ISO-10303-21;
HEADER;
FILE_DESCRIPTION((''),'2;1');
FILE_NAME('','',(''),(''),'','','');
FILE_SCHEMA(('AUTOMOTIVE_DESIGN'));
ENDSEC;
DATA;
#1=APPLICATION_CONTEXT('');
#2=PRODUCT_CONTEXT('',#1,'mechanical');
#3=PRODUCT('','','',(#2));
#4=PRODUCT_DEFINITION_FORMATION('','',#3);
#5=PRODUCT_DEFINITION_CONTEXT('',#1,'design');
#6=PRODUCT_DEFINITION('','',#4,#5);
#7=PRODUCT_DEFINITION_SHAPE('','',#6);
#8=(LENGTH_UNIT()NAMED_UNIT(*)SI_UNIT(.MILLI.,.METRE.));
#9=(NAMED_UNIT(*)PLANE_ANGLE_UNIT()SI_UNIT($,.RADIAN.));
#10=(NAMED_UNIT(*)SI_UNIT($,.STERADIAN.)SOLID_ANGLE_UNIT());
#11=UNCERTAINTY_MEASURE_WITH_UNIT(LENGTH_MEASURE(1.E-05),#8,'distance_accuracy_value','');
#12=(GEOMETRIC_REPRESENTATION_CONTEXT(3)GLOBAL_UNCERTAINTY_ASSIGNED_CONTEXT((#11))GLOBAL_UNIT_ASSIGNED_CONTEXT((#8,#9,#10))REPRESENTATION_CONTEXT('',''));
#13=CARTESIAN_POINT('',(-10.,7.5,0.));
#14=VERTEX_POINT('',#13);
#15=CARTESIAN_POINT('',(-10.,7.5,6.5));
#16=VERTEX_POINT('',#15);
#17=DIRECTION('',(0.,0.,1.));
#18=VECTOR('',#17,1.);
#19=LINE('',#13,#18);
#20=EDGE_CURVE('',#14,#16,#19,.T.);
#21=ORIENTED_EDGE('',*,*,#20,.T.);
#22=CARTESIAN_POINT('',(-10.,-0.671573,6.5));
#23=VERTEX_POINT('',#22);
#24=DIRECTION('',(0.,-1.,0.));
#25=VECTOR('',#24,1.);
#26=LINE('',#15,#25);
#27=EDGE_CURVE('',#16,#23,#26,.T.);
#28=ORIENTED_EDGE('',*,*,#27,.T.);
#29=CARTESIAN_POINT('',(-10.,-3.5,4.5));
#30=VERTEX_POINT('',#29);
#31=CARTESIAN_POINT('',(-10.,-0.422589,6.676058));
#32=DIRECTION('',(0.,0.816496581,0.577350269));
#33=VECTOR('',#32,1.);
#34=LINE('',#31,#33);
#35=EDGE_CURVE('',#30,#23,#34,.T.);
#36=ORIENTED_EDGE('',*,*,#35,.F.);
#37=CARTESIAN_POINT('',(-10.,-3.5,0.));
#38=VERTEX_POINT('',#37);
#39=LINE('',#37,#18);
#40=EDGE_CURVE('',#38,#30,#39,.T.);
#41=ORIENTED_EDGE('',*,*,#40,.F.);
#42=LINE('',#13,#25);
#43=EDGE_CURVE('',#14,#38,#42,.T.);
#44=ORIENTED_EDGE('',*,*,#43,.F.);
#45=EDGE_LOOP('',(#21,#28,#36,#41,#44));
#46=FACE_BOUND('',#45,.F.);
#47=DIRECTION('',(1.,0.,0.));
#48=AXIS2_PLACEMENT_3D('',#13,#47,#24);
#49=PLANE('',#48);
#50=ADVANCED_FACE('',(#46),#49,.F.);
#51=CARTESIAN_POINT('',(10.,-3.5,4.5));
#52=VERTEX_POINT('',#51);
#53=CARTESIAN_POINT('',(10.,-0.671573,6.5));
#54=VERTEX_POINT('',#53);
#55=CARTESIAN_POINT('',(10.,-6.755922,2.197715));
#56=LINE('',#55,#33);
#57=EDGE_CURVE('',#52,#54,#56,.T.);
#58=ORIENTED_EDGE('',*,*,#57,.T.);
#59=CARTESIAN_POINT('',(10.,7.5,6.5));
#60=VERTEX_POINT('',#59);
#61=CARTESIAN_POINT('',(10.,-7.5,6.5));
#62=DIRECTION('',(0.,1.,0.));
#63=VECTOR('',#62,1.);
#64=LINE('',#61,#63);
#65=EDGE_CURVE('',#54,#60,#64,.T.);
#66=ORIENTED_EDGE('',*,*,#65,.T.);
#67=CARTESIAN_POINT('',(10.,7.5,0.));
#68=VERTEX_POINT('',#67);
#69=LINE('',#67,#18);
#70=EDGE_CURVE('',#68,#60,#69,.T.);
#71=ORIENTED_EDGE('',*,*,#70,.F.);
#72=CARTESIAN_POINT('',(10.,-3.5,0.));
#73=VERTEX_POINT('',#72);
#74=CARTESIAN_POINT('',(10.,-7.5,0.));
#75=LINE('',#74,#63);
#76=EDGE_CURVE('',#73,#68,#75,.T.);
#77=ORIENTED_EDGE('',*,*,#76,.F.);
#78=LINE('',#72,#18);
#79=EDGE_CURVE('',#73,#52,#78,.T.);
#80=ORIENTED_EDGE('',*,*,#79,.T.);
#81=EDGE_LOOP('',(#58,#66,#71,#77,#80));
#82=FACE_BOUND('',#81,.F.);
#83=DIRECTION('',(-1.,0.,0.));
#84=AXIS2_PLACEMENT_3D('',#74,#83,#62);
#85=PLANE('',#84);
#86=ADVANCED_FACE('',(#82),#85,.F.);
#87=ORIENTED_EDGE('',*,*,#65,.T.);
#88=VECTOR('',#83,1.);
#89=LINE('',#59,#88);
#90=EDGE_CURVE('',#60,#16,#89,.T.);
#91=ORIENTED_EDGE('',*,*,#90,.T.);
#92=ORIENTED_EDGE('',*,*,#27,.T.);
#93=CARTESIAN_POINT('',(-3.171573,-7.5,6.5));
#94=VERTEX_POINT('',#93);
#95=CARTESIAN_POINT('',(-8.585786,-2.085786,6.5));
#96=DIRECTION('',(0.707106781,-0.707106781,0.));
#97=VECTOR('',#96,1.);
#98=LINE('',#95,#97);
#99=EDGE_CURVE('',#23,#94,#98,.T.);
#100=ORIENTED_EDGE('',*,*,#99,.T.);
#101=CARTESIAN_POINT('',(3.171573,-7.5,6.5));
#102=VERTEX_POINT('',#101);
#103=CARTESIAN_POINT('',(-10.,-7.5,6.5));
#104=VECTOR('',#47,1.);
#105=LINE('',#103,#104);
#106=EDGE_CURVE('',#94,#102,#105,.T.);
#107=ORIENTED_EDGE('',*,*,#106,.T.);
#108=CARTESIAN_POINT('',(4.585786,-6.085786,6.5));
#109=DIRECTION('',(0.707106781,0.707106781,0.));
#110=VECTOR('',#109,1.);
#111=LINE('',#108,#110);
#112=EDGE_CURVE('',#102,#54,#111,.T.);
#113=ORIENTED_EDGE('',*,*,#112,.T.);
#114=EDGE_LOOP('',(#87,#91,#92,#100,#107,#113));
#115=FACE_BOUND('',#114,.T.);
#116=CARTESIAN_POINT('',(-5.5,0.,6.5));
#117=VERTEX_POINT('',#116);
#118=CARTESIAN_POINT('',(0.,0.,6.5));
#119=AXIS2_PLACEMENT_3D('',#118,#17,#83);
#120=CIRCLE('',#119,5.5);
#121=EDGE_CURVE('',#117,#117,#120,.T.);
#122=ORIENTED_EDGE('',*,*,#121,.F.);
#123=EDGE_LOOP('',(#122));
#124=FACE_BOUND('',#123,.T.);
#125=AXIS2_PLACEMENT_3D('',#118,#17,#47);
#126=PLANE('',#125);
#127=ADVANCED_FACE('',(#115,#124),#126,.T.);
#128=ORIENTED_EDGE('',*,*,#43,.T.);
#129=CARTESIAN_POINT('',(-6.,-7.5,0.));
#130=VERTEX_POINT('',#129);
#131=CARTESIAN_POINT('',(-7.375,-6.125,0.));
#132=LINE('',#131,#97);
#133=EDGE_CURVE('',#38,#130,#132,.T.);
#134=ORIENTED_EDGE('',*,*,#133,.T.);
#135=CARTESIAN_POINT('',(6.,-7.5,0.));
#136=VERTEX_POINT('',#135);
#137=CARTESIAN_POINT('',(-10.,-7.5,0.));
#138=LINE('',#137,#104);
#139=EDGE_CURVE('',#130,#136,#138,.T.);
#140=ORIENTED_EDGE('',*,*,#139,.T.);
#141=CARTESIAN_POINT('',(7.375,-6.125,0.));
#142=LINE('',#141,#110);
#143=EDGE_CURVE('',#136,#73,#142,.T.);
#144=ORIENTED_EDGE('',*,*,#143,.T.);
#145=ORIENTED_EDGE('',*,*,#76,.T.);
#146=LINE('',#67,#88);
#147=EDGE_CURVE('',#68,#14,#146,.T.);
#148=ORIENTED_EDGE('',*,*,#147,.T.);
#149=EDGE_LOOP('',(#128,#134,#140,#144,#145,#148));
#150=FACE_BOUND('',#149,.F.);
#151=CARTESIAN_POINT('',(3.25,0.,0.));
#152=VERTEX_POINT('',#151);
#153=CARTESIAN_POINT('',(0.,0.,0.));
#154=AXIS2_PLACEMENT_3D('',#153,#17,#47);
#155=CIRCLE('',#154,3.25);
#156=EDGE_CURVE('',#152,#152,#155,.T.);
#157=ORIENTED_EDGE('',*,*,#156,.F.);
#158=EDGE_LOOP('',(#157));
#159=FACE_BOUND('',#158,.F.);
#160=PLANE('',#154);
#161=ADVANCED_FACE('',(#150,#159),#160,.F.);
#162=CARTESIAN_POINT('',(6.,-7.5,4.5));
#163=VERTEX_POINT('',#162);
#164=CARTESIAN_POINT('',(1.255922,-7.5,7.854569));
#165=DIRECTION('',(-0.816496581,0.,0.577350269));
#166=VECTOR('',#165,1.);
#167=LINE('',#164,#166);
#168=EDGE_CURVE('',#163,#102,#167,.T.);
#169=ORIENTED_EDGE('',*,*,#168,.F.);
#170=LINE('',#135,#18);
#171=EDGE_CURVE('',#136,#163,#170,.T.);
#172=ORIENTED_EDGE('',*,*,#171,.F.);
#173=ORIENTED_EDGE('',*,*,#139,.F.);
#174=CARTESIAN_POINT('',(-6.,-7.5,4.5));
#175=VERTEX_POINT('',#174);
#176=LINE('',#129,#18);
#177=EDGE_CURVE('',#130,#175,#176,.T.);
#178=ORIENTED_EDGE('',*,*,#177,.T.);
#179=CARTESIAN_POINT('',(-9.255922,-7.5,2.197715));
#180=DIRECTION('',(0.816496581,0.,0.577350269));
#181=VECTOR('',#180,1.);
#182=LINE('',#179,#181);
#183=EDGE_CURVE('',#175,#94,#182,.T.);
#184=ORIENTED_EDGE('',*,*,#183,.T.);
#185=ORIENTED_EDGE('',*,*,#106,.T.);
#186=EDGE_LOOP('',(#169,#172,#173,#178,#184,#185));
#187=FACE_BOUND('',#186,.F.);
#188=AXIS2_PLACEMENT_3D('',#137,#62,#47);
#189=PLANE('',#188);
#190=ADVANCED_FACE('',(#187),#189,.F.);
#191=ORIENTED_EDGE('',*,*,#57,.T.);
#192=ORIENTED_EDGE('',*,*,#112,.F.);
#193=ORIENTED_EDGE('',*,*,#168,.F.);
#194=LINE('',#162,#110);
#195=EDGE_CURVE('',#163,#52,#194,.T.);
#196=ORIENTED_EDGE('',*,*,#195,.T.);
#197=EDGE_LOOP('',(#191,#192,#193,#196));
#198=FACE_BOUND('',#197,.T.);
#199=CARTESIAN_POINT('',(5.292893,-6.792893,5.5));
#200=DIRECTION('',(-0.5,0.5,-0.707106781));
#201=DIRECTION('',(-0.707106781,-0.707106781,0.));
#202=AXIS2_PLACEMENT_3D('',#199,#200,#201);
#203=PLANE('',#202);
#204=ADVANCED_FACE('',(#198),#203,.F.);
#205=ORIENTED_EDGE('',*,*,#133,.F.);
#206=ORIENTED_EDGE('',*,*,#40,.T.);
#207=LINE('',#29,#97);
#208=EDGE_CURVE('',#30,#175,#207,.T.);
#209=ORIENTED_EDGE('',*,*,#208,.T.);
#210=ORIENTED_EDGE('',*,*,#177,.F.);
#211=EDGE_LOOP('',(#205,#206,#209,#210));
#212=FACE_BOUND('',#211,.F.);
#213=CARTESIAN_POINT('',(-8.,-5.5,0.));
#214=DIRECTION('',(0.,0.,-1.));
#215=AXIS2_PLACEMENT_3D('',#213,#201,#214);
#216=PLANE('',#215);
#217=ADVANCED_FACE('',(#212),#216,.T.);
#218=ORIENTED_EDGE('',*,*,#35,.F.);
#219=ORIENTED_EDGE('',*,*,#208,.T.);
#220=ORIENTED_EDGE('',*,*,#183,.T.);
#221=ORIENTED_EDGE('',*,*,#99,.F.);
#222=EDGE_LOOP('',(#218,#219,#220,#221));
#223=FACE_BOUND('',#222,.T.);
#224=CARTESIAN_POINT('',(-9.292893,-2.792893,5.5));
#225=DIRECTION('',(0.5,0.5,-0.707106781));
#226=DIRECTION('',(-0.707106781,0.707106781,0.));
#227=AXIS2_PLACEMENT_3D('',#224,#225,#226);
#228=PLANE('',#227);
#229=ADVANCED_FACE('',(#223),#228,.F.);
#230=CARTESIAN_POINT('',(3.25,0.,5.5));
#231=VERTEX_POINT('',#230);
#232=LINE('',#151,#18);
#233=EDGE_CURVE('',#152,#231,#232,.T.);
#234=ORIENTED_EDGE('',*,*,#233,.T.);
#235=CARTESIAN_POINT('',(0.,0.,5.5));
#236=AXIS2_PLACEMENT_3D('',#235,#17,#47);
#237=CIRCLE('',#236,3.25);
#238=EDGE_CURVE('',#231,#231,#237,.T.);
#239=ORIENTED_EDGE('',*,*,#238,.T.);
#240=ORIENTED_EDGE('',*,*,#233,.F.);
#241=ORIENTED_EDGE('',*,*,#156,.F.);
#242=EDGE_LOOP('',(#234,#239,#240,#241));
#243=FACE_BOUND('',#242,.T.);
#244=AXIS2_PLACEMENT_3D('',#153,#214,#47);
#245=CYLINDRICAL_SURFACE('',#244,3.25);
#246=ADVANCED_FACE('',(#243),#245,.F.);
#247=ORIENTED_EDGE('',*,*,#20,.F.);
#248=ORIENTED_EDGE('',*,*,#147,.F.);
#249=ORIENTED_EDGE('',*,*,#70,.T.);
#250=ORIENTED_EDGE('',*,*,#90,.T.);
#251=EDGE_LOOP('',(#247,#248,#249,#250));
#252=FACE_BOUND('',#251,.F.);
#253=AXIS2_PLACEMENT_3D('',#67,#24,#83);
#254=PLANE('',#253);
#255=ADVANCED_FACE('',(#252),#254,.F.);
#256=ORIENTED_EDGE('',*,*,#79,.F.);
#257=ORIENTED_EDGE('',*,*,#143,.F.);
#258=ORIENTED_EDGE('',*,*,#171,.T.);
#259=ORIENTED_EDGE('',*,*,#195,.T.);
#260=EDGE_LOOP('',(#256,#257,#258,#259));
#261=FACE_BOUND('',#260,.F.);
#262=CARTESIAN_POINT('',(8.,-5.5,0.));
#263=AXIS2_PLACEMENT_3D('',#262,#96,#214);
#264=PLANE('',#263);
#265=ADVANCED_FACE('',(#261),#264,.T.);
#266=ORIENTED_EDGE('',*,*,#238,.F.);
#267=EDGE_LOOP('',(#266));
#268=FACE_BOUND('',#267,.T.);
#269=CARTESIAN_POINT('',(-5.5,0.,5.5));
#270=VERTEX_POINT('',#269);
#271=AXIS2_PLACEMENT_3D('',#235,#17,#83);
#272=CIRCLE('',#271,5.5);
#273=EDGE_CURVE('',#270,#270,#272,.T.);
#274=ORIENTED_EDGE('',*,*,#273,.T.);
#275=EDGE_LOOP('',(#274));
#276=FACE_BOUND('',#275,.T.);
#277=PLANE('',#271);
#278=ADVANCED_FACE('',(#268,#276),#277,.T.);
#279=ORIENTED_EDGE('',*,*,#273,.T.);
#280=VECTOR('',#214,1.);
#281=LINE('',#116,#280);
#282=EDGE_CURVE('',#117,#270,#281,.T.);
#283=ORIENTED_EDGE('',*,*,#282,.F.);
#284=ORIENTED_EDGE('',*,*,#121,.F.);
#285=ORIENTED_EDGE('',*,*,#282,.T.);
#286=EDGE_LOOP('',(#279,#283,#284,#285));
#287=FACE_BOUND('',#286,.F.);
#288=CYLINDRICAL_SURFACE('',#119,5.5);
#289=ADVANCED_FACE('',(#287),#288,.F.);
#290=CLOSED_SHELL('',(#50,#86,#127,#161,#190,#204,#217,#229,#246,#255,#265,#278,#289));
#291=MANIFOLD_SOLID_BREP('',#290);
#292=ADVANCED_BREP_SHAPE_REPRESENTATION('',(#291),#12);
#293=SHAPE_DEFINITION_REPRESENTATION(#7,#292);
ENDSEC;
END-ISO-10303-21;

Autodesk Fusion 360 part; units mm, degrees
sketch "Sketch1" plane through (0, 0, 0) normal (0, 0, 1) x (1, 0, 0)
  line L0 (10, 7.5) -> (-10, 7.5)
  line L1 (-10, 7.5) -> (-10, -7.5)
  line L2 (-10, -7.5) -> (10, -7.5)
  line L3 (10, -7.5) -> (10, 7.5)
  line L4 (10, 7.5) -> (-10, -7.5) construction
  line L5 (-10, 7.5) -> (10, -7.5) construction
  circle A0 centre (0, 0) radius 3.25
  dimension "d1" = 20
  dimension "d2" = 15
  dimension "d3" = 6.5
extrude "Extrude1" add sketch "Sketch1" along normal blind 6.5
chamfer "Chamfer1" distance 4 distance2 4 2 edges at (-10, -7.5, 3.25) (10, -7.5, 3.25) measured on face at (-10, 2.5, 2.1667) measured on face at (-3.3333, -7.5, 4.3333)
chamfer "Chamfer2" distance 2 distance2 2 2 edges at (-8, -5.5, 6.5) (8, -5.5, 6.5) measured on face at (-7.3333, -6.1667, 2.1667) measured on face at (8.6667, -4.8333, 2.1667)
sketch "Sketch2" plane through (0, 0, 6.5) normal (0, 0, 1) x (-1, 0, 0)
  line L0 (-3.1716, 7.5) -> (-10, 0.6716)
  line L1 (-10, 0.6716) -> (-10, -7.5)
  line L2 (-10, -7.5) -> (10, -7.5)
  line L3 (10, -7.5) -> (10, 0.6716)
  line L4 (10, 0.6716) -> (3.1716, 7.5)
  line L5 (3.1716, 7.5) -> (-3.1716, 7.5)
  circle A0 centre (0, 0) radius 3.25
  circle A1 centre (0, 0) radius 5.5
  dimension "d10" = 11
extrude "Extrude2" cut sketch "Sketch2" against normal blind 1 contours A1
